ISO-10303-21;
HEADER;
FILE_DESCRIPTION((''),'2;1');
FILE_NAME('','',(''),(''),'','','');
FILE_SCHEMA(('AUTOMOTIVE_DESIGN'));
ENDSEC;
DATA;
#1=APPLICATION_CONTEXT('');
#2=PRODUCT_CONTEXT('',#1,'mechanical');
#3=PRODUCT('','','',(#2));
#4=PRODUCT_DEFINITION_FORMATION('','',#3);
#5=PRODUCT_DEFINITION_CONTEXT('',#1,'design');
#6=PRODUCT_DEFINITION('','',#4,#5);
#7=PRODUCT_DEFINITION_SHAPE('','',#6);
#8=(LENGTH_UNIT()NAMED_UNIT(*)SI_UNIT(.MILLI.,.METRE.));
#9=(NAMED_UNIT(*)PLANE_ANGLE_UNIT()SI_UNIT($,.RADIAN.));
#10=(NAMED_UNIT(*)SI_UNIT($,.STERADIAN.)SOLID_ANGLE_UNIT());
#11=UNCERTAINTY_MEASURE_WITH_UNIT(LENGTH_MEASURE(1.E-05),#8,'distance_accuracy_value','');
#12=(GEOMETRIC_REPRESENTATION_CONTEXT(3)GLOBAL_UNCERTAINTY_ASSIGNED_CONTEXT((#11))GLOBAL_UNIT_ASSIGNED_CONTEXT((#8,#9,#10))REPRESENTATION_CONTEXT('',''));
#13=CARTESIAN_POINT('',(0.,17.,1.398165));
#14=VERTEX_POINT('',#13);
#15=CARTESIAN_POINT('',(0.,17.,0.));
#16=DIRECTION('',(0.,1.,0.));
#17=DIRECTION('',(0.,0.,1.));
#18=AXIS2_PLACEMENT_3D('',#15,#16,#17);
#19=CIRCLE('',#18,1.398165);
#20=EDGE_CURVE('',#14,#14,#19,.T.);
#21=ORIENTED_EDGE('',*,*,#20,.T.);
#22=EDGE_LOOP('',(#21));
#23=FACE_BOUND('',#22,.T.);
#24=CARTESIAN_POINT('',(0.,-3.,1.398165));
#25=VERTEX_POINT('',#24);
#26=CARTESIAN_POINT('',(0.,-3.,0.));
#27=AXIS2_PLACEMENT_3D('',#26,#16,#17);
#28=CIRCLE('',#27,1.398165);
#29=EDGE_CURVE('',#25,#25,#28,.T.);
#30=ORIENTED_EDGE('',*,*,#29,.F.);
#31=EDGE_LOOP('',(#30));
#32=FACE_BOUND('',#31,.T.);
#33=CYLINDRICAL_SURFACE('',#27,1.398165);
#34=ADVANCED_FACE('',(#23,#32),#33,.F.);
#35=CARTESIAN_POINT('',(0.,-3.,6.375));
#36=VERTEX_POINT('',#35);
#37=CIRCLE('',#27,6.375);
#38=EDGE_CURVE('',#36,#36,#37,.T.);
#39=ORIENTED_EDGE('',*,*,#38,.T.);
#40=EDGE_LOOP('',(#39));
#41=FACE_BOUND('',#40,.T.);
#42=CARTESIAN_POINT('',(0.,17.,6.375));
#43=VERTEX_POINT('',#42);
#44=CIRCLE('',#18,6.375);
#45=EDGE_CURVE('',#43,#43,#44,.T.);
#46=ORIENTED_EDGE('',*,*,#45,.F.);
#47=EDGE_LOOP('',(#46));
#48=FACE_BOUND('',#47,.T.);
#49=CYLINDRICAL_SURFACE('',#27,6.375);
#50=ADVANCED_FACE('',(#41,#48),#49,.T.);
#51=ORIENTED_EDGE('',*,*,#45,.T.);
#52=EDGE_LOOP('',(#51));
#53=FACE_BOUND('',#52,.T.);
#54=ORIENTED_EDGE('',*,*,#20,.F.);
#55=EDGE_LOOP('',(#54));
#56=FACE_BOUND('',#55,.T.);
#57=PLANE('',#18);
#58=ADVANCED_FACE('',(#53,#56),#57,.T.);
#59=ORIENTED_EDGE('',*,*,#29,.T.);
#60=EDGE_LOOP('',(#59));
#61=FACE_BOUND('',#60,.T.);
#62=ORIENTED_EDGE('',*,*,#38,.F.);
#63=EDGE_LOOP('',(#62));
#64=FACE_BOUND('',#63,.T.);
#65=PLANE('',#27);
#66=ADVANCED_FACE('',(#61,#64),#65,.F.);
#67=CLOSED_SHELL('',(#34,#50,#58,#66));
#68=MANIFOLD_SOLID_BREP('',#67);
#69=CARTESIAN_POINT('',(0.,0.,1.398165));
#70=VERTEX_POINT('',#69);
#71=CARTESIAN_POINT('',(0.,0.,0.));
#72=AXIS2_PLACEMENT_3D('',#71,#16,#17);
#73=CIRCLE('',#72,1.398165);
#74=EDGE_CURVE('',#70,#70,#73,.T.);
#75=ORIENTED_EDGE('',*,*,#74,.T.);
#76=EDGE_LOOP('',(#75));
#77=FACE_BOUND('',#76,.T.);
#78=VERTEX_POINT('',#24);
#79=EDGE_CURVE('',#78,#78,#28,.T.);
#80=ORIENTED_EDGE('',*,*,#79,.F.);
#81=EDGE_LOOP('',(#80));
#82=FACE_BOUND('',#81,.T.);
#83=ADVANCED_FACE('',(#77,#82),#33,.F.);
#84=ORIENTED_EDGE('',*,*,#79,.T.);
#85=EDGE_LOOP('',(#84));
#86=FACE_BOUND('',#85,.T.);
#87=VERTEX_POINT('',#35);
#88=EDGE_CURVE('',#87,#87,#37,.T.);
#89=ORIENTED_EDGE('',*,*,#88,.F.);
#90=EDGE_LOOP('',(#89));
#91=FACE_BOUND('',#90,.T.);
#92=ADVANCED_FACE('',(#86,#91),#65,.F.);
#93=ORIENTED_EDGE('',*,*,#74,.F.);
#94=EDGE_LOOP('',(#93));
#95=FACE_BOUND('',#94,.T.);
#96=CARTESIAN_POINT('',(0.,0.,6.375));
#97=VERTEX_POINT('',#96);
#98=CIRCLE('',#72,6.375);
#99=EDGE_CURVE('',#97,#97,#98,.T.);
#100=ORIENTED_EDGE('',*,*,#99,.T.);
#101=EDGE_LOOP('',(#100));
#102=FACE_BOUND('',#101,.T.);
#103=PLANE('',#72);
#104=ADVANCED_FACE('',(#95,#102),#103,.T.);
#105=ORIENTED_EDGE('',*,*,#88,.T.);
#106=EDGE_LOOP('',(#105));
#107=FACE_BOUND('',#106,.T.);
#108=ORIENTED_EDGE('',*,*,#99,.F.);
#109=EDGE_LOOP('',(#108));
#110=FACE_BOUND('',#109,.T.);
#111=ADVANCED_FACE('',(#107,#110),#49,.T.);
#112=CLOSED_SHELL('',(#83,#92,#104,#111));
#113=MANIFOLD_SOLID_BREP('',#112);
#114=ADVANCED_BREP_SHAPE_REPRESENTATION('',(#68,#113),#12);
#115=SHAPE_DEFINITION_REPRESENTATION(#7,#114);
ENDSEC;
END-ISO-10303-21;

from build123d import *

# Parameters (mm, degrees)
BOSS_EXTRUDE1_DEPTH      = 17
BOSS_EXTRUDE1_DEPTH_BACK = 3
SKETCH1_R                = 6.375
SKETCH1_R_2              = 1.398165138
SKETCH1_3_R              = 6.375
SKETCH1_3_R_2            = 1.398165138
BOSS_EXTRUDE2_DEPTH      = 3


with BuildPart() as part:
    # Sketch1 → Boss-Extrude1 (new, two sides: drawn at the far end of the back side and taken through both)
    with BuildSketch(Plane(origin=(0, 0, 0), x_dir=(1, 0, 0), z_dir=(0, 1, 0)).offset(-BOSS_EXTRUDE1_DEPTH_BACK)):
        Circle(SKETCH1_R)
        Circle(SKETCH1_R_2, mode=Mode.SUBTRACT)
    extrude(amount=BOSS_EXTRUDE1_DEPTH + BOSS_EXTRUDE1_DEPTH_BACK)


with BuildPart() as body_2:
    # Sketch1<3> → Boss-Extrude2 (new body)
    with BuildSketch(Plane(origin=(0, 0, 0), x_dir=(1, 0, 0), z_dir=(0, 1, 0))):
        Circle(SKETCH1_3_R)
        Circle(SKETCH1_3_R_2, mode=Mode.SUBTRACT)
    extrude(amount=-BOSS_EXTRUDE2_DEPTH)


solid = Compound([part.part, body_2.part])
